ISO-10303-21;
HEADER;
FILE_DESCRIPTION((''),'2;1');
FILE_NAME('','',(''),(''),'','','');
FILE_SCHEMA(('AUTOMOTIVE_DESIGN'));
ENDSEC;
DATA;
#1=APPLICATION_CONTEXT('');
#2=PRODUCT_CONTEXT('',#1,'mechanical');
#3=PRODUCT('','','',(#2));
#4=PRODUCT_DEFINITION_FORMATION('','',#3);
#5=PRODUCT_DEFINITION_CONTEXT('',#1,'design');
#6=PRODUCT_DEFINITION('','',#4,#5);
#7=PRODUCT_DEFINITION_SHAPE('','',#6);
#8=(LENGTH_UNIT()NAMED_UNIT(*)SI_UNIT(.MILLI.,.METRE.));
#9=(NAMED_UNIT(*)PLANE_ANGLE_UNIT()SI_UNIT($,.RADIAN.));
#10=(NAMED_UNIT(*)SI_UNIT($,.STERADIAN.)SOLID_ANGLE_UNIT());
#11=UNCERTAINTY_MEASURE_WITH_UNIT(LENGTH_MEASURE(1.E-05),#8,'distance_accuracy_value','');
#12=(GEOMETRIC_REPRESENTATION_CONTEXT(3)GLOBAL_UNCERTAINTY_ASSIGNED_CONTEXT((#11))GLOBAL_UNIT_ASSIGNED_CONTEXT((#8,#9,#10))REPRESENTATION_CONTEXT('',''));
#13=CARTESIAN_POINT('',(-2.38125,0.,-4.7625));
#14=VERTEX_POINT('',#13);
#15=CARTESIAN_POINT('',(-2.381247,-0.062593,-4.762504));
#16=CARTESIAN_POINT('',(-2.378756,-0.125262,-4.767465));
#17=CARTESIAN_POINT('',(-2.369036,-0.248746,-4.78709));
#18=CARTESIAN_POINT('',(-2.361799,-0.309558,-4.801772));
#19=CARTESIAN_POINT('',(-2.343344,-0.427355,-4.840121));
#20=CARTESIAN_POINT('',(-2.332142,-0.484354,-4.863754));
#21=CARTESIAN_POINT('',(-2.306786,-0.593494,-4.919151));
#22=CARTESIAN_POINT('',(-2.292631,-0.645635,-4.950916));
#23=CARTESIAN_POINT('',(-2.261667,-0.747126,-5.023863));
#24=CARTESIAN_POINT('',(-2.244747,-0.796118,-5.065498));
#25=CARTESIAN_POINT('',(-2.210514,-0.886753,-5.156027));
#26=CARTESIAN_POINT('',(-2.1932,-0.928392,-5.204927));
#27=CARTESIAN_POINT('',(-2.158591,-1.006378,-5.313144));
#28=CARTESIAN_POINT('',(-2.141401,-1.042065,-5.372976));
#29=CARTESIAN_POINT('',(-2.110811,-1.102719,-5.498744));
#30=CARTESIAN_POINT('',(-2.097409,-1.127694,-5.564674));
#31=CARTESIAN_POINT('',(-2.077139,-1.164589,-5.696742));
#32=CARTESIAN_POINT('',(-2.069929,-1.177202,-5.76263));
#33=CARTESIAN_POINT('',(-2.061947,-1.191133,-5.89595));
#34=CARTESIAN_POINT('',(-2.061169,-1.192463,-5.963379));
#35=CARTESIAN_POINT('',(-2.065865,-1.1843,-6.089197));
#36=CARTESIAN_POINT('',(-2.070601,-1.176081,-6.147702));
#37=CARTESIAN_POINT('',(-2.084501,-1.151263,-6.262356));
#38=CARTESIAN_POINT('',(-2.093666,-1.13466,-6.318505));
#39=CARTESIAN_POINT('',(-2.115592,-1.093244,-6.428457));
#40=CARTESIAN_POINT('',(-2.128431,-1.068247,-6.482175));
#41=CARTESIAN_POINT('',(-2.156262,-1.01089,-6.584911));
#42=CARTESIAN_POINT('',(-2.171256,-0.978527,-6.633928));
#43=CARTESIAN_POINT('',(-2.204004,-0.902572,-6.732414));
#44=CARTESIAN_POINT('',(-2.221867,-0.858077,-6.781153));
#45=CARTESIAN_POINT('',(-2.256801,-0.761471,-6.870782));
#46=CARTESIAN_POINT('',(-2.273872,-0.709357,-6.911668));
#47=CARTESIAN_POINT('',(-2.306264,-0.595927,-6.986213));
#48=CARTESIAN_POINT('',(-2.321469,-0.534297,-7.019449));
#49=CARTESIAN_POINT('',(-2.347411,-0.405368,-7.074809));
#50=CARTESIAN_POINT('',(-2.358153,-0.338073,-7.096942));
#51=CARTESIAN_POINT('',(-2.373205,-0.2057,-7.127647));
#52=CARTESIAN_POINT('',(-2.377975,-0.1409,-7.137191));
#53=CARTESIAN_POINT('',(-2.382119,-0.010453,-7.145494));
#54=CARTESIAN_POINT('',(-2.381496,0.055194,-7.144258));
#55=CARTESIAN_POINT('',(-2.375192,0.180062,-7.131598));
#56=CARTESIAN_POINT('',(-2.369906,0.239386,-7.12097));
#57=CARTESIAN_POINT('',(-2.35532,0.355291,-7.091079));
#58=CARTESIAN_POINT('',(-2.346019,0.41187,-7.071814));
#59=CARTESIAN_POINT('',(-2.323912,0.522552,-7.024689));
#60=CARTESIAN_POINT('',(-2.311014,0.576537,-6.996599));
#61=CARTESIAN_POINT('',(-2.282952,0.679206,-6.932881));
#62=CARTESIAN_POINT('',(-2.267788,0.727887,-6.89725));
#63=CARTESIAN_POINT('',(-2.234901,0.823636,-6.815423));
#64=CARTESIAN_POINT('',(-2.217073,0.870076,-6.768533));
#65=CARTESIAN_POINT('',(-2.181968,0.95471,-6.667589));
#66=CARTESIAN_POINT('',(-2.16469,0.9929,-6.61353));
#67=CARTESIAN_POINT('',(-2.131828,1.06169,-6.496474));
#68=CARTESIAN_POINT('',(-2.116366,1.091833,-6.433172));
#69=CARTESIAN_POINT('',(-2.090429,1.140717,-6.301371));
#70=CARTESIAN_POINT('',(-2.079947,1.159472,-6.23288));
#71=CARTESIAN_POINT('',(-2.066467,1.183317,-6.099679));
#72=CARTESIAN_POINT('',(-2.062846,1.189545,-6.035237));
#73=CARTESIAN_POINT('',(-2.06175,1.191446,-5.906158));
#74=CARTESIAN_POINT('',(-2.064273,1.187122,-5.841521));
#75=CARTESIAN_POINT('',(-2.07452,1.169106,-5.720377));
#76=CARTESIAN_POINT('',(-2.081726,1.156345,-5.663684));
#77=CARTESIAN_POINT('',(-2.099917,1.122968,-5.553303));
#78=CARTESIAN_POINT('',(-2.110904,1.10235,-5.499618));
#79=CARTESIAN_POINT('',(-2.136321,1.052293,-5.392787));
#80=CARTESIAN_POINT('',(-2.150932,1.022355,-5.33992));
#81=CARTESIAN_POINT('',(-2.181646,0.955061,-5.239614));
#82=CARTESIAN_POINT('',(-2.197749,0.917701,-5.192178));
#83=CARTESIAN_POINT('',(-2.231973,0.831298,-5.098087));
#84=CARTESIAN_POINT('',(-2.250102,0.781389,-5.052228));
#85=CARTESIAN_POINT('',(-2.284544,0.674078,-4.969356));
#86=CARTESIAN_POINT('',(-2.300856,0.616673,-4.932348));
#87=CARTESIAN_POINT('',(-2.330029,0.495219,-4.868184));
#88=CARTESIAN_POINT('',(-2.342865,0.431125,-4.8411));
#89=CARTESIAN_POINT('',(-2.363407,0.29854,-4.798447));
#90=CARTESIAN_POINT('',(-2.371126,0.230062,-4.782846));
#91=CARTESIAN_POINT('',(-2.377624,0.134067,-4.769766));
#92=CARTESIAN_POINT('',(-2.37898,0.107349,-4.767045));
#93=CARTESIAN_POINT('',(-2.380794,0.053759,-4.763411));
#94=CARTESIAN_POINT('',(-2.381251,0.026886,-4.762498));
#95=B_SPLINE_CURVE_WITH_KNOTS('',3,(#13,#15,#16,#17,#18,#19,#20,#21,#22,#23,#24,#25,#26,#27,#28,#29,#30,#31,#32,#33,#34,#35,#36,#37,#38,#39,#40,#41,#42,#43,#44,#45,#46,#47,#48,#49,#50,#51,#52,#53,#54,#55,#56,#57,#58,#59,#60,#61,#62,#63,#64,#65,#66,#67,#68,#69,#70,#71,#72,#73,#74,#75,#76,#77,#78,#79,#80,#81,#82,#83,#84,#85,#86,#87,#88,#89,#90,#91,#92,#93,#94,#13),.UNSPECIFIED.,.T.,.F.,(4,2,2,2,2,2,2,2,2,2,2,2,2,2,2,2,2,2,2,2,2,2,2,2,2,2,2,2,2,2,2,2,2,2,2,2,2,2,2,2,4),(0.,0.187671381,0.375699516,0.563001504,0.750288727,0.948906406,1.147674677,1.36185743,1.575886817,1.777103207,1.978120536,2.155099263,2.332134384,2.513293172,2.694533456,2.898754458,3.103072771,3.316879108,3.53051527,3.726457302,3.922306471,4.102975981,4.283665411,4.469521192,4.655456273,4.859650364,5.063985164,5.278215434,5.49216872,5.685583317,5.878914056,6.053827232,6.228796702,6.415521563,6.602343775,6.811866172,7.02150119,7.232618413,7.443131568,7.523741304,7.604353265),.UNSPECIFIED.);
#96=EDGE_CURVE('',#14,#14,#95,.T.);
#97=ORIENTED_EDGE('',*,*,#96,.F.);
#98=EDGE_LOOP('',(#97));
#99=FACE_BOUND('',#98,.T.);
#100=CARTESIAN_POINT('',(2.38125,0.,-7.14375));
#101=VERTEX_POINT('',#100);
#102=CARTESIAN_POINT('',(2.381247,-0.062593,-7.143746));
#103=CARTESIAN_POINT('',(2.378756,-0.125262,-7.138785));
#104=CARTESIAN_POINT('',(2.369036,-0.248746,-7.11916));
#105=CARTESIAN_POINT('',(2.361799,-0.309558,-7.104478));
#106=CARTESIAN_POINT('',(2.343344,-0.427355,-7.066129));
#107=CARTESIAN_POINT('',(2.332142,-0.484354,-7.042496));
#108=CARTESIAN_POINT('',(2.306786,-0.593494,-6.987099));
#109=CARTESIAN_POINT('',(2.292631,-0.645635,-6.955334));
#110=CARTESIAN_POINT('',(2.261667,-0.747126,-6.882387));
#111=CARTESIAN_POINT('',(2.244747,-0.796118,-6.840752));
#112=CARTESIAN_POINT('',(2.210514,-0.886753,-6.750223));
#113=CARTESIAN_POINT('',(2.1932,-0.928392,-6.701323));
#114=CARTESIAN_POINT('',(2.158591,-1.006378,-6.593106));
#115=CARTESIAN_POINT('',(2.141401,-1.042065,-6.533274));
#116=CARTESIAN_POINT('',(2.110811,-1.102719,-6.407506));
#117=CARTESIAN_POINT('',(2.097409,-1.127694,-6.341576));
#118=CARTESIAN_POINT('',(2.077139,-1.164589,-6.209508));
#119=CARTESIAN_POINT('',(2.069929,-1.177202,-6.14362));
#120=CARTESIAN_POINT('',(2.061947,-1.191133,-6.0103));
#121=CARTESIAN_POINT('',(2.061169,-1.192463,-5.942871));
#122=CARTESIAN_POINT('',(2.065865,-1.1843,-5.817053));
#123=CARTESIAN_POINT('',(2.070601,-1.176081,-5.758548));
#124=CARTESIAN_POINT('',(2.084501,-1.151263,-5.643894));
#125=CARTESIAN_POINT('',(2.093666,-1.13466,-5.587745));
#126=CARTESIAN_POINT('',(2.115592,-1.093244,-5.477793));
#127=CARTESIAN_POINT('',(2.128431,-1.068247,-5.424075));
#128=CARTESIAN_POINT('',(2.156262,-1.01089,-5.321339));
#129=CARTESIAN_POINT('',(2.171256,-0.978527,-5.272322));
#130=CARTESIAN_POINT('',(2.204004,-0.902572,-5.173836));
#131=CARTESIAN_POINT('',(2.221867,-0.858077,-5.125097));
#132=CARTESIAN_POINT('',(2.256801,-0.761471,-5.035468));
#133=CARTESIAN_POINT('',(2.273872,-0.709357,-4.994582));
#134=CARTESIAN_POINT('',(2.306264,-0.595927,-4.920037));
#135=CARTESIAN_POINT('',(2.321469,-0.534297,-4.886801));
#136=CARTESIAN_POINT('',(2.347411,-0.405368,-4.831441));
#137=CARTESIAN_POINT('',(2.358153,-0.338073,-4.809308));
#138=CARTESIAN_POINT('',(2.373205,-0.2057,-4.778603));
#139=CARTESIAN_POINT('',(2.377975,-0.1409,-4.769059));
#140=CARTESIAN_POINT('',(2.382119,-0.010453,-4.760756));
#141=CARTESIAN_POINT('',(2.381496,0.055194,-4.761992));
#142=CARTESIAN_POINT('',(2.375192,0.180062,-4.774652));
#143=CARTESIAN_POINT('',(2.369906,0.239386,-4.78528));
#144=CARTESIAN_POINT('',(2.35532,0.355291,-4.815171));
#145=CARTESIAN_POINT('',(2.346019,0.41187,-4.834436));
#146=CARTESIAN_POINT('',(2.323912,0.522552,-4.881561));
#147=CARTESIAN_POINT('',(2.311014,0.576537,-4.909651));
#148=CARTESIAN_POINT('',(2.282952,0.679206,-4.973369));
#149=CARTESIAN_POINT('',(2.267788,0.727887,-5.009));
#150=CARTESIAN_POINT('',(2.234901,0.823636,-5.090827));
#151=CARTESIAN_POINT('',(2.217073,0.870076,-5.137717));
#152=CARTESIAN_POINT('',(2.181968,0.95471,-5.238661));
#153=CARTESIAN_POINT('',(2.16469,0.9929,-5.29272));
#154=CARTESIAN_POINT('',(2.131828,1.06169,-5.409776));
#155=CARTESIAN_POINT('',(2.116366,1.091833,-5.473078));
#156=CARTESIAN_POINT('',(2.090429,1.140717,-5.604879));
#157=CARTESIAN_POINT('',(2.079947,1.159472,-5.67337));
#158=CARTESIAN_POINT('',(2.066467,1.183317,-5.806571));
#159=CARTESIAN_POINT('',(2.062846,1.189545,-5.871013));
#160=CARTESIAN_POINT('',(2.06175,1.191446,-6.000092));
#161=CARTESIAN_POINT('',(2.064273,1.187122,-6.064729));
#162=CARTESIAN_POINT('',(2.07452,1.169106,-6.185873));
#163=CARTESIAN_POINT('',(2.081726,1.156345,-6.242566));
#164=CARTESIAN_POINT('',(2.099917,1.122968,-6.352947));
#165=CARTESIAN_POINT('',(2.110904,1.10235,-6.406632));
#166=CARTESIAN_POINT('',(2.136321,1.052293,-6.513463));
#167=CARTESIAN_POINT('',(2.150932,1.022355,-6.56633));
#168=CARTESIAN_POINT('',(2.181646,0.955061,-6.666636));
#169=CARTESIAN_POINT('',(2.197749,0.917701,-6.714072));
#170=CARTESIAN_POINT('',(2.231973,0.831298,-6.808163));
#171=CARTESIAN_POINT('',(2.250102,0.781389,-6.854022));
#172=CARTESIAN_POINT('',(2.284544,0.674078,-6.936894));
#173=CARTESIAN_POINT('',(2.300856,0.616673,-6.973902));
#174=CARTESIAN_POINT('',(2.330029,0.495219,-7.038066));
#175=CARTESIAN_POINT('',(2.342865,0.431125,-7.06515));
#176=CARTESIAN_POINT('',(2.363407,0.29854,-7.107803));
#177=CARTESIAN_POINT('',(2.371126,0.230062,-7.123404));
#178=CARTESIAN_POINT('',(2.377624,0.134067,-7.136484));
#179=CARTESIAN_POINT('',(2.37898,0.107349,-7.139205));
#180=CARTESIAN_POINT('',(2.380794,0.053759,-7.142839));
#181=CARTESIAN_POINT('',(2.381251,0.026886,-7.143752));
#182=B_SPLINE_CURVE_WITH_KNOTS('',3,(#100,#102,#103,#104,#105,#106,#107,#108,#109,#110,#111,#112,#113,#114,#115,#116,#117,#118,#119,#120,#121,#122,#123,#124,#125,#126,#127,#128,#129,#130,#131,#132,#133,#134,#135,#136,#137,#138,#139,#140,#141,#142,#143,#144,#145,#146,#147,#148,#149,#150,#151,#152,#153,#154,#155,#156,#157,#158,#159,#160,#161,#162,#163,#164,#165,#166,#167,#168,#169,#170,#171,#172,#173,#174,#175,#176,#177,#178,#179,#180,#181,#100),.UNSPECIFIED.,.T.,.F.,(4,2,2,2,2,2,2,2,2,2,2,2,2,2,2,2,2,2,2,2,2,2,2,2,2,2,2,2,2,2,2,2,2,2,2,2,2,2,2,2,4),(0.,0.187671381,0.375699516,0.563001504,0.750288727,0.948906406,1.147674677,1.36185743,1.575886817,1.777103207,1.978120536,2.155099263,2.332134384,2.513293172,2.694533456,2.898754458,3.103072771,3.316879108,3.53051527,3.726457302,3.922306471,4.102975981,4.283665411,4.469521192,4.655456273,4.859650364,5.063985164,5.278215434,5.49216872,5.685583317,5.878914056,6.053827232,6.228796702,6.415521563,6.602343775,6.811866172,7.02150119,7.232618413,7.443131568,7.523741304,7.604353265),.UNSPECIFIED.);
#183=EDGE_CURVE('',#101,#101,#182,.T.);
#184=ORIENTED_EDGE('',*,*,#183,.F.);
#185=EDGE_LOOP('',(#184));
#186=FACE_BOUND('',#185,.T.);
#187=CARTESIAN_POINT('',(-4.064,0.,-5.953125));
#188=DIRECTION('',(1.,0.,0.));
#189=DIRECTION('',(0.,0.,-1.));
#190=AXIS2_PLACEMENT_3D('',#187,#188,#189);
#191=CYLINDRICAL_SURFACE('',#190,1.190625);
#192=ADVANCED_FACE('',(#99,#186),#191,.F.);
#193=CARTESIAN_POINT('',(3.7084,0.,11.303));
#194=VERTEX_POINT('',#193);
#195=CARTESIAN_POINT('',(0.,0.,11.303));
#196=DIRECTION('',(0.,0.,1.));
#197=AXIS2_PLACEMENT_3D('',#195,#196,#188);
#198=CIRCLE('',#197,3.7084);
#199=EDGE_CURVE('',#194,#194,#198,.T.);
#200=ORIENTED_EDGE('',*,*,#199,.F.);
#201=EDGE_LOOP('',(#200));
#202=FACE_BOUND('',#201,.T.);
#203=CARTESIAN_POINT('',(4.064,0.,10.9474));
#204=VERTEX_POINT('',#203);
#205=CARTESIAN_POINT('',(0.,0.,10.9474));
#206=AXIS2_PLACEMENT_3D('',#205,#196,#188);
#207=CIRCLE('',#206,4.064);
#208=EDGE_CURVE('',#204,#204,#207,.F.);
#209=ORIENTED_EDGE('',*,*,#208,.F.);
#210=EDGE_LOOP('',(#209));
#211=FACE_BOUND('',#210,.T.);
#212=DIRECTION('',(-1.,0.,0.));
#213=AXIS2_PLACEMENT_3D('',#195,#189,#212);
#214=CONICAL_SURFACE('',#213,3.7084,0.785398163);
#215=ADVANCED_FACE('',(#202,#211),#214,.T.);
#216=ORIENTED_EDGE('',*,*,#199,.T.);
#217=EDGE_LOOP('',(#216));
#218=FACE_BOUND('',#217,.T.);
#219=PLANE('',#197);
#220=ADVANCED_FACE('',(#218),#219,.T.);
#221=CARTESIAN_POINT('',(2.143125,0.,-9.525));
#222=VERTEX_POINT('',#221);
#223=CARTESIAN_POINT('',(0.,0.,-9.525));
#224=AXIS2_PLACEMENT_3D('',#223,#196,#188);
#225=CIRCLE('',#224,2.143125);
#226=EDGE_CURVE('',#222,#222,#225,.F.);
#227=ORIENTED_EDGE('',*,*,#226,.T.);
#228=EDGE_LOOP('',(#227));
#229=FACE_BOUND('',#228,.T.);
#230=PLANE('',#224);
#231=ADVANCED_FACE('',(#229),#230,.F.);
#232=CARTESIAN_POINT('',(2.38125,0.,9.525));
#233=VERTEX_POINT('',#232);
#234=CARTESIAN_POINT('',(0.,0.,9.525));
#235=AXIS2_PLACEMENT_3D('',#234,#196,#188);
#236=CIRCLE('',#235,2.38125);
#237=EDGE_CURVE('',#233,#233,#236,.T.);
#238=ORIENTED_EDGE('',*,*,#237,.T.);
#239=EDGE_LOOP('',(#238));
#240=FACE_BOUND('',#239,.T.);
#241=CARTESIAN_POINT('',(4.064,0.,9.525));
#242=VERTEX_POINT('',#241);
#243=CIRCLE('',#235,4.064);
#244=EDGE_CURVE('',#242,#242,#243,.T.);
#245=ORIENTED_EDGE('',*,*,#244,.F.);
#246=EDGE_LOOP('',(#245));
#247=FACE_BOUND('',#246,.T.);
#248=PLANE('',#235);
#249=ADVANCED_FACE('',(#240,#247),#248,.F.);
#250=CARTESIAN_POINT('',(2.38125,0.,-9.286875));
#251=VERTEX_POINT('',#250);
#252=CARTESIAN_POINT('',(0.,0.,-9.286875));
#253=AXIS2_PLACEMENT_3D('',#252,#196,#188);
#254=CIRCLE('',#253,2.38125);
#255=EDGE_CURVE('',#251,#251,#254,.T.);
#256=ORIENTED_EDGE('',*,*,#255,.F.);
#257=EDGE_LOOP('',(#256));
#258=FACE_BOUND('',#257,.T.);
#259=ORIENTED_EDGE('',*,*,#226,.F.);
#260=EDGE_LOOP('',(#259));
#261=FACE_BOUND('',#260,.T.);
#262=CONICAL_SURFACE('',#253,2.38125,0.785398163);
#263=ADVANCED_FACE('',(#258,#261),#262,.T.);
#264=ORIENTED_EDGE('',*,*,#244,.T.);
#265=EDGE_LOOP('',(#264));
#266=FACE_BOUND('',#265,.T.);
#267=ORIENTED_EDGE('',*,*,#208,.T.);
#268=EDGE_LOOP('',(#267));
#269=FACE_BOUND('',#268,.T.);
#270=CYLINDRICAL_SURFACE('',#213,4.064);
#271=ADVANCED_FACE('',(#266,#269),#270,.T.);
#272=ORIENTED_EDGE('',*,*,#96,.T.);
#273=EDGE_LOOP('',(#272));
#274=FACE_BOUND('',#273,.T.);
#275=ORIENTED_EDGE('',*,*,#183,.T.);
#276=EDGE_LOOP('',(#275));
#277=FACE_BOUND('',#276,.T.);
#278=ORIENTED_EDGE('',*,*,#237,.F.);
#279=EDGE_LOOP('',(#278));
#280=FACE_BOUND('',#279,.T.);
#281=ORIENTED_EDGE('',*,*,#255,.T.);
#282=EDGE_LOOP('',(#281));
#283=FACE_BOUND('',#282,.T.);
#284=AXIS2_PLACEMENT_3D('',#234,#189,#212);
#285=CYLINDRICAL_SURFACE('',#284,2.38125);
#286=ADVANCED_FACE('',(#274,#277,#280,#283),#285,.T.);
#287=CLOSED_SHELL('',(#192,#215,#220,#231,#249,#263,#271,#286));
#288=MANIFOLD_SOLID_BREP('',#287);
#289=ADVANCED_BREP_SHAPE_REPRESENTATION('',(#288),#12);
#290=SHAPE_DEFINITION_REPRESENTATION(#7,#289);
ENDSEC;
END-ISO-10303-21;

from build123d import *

# Parameters (mm, degrees)
SKETCH1_R           = 2.38125
EXTRUDE1_DEPTH      = 9.525
SKETCH2_R           = 4.064
EXTRUDE2_DEPTH      = 1.778
CHAMFER1_SIZE       = 0.3556
EXTRUDE3_DEPTH      = 13.68029972
EXTRUDE3_DEPTH_BACK = 13.68029972
SKETCH3_R           = 1.190625
CHAMFER2_SIZE       = 0.238125


with BuildPart() as part:
    # Sketch1 → Extrude1 (new, symmetric)
    with BuildSketch(Plane.XY):
        with Locations(Location((0, 0, 0), (0, 0, 180))):
            Circle(SKETCH1_R)
    extrude(amount=EXTRUDE1_DEPTH, both=True)

    # Sketch2 → Extrude2 (add)
    with BuildSketch(Plane.XY.offset(9.525)):
        Circle(SKETCH2_R)
    extrude(amount=EXTRUDE2_DEPTH)

    # Chamfer1
    chamfer1_edges = [part.edges().sort_by_distance(p)[0] for p in [
        (-4.064, 0, 11.303),
    ]]
    chamfer(chamfer1_edges, length=CHAMFER1_SIZE)

    # Sketch3 → Extrude3 (cut, two sides: drawn at the far end of the back side and taken through both)
    with BuildSketch(Plane(origin=(0, 0, 0), x_dir=(0, 0, -1), z_dir=(1, 0, 0)).offset(-EXTRUDE3_DEPTH_BACK)):
        with Locations(Location((5.953125, 0, 0), (0, 0, 179.999999999))):
            Circle(SKETCH3_R)
    extrude(amount=EXTRUDE3_DEPTH + EXTRUDE3_DEPTH_BACK, mode=Mode.SUBTRACT)

    # Chamfer2
    chamfer2_edges = [part.edges().sort_by_distance(p)[0] for p in [
        (2.38125, 0, -9.525),
    ]]
    chamfer(chamfer2_edges, length=CHAMFER2_SIZE)


solid = part.part
